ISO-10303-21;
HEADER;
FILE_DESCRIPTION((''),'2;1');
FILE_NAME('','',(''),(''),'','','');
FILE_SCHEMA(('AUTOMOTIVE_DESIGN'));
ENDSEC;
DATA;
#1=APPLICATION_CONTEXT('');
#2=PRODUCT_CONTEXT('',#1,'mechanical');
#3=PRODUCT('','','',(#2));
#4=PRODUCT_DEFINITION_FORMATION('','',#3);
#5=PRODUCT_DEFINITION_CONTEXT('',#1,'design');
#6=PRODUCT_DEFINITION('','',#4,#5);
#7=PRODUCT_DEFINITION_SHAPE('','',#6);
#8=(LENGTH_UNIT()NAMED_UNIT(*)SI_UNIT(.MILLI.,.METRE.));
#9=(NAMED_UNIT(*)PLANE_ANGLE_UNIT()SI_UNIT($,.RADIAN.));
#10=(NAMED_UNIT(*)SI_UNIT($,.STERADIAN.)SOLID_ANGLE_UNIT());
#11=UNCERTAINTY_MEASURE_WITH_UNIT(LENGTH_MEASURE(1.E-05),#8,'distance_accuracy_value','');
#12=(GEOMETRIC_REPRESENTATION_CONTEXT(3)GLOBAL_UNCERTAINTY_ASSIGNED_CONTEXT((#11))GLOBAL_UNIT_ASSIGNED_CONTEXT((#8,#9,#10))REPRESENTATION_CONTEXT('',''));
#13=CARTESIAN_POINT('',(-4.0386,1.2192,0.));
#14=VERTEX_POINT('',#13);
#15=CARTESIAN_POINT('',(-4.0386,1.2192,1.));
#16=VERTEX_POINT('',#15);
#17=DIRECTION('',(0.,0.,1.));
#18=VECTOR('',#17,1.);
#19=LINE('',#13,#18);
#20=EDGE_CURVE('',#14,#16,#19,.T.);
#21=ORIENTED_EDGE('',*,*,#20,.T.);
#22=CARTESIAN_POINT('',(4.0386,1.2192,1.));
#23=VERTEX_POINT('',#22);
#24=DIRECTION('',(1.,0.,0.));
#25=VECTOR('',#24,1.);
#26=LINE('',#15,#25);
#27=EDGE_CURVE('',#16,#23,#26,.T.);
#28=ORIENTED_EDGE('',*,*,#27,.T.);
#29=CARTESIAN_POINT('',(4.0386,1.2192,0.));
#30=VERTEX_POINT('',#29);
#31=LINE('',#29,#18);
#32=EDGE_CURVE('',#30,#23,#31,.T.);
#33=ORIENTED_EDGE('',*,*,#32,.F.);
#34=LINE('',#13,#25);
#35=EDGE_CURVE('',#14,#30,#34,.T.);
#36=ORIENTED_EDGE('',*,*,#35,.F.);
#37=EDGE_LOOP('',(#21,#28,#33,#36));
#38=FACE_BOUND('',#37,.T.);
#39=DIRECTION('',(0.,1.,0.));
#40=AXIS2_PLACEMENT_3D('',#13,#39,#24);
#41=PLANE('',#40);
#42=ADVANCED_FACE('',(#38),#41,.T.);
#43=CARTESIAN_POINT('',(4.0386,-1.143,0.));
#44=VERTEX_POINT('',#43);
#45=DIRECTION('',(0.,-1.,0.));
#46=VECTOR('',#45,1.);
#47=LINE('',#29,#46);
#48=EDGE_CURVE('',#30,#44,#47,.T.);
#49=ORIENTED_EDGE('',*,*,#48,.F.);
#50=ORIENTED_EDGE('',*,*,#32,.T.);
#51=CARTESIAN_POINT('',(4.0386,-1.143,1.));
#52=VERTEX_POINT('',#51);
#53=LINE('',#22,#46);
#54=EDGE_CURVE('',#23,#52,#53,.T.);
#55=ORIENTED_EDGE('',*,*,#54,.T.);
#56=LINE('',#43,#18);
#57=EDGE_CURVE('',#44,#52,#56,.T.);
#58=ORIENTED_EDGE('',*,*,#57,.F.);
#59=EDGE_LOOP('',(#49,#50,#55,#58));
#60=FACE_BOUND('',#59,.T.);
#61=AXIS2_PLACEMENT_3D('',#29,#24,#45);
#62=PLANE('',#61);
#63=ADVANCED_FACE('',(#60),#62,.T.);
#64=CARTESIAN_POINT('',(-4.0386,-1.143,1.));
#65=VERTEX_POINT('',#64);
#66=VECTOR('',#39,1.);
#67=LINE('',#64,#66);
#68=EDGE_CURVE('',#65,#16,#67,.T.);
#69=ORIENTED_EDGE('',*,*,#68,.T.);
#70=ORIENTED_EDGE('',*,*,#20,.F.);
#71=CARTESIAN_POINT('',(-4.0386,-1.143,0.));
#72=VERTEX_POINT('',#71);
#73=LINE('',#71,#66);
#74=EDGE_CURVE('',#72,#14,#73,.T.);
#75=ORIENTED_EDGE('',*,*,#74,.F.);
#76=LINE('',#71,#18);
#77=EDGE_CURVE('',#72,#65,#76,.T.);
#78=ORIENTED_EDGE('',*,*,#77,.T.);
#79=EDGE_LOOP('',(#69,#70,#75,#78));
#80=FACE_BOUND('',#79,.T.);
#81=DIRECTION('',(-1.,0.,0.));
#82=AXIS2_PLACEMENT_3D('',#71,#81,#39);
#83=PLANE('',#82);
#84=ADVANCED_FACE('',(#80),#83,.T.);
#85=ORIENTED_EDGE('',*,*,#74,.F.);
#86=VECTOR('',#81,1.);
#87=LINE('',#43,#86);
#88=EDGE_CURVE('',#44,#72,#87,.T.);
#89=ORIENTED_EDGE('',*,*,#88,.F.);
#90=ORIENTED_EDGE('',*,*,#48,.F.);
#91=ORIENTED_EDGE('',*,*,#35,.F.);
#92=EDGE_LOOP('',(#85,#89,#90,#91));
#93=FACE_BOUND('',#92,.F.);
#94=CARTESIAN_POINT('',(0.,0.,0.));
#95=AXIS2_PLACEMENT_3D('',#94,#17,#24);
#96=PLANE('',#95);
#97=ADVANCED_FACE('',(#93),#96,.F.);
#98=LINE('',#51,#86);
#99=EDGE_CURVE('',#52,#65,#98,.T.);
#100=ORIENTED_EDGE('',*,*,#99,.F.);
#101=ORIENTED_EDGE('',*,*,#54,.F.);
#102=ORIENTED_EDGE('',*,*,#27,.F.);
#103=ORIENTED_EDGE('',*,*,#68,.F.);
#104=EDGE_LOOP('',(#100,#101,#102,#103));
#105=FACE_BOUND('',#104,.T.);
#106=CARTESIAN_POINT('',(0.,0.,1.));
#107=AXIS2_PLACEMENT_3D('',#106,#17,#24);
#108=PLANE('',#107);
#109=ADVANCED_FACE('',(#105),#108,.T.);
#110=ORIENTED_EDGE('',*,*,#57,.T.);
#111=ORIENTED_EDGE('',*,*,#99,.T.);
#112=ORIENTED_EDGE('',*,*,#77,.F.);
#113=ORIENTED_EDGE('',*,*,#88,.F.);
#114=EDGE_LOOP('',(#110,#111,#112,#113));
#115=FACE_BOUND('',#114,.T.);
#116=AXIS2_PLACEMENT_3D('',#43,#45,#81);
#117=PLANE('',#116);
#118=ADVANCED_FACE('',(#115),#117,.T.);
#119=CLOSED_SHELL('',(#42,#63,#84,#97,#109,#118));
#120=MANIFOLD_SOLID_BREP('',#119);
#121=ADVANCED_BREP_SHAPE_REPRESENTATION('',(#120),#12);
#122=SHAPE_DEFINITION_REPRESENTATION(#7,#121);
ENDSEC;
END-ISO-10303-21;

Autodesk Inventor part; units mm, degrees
ref_plane "YZ Plane" through (0, 0, 0) normal (1, 0, 0) x (0, 1, 0)
ref_plane "XZ Plane" through (0, 0, 0) normal (0, 1, 0) x (-1, 0, 0)
ref_plane "XY Plane" through (0, 0, 0) normal (0, 0, 1) x (1, 0, 0)
sketch "0207_9, 4K7_47" plane through (0, 0, 0) normal (0, 0, 1) x (1, 0, 0)
  line L0 (-4.0386, 1.2192) -> (4.0386, 1.2192)
  line L1 (4.0386, 1.2192) -> (4.0386, -1.143)
  line L2 (4.0386, -1.143) -> (-4.0386, -1.143)
  line L3 (-4.0386, -1.143) -> (-4.0386, 1.2192)
extrude "Extrusion1" add sketch "0207_9, 4K7_47" along normal blind 1
properties part number "4K7"
